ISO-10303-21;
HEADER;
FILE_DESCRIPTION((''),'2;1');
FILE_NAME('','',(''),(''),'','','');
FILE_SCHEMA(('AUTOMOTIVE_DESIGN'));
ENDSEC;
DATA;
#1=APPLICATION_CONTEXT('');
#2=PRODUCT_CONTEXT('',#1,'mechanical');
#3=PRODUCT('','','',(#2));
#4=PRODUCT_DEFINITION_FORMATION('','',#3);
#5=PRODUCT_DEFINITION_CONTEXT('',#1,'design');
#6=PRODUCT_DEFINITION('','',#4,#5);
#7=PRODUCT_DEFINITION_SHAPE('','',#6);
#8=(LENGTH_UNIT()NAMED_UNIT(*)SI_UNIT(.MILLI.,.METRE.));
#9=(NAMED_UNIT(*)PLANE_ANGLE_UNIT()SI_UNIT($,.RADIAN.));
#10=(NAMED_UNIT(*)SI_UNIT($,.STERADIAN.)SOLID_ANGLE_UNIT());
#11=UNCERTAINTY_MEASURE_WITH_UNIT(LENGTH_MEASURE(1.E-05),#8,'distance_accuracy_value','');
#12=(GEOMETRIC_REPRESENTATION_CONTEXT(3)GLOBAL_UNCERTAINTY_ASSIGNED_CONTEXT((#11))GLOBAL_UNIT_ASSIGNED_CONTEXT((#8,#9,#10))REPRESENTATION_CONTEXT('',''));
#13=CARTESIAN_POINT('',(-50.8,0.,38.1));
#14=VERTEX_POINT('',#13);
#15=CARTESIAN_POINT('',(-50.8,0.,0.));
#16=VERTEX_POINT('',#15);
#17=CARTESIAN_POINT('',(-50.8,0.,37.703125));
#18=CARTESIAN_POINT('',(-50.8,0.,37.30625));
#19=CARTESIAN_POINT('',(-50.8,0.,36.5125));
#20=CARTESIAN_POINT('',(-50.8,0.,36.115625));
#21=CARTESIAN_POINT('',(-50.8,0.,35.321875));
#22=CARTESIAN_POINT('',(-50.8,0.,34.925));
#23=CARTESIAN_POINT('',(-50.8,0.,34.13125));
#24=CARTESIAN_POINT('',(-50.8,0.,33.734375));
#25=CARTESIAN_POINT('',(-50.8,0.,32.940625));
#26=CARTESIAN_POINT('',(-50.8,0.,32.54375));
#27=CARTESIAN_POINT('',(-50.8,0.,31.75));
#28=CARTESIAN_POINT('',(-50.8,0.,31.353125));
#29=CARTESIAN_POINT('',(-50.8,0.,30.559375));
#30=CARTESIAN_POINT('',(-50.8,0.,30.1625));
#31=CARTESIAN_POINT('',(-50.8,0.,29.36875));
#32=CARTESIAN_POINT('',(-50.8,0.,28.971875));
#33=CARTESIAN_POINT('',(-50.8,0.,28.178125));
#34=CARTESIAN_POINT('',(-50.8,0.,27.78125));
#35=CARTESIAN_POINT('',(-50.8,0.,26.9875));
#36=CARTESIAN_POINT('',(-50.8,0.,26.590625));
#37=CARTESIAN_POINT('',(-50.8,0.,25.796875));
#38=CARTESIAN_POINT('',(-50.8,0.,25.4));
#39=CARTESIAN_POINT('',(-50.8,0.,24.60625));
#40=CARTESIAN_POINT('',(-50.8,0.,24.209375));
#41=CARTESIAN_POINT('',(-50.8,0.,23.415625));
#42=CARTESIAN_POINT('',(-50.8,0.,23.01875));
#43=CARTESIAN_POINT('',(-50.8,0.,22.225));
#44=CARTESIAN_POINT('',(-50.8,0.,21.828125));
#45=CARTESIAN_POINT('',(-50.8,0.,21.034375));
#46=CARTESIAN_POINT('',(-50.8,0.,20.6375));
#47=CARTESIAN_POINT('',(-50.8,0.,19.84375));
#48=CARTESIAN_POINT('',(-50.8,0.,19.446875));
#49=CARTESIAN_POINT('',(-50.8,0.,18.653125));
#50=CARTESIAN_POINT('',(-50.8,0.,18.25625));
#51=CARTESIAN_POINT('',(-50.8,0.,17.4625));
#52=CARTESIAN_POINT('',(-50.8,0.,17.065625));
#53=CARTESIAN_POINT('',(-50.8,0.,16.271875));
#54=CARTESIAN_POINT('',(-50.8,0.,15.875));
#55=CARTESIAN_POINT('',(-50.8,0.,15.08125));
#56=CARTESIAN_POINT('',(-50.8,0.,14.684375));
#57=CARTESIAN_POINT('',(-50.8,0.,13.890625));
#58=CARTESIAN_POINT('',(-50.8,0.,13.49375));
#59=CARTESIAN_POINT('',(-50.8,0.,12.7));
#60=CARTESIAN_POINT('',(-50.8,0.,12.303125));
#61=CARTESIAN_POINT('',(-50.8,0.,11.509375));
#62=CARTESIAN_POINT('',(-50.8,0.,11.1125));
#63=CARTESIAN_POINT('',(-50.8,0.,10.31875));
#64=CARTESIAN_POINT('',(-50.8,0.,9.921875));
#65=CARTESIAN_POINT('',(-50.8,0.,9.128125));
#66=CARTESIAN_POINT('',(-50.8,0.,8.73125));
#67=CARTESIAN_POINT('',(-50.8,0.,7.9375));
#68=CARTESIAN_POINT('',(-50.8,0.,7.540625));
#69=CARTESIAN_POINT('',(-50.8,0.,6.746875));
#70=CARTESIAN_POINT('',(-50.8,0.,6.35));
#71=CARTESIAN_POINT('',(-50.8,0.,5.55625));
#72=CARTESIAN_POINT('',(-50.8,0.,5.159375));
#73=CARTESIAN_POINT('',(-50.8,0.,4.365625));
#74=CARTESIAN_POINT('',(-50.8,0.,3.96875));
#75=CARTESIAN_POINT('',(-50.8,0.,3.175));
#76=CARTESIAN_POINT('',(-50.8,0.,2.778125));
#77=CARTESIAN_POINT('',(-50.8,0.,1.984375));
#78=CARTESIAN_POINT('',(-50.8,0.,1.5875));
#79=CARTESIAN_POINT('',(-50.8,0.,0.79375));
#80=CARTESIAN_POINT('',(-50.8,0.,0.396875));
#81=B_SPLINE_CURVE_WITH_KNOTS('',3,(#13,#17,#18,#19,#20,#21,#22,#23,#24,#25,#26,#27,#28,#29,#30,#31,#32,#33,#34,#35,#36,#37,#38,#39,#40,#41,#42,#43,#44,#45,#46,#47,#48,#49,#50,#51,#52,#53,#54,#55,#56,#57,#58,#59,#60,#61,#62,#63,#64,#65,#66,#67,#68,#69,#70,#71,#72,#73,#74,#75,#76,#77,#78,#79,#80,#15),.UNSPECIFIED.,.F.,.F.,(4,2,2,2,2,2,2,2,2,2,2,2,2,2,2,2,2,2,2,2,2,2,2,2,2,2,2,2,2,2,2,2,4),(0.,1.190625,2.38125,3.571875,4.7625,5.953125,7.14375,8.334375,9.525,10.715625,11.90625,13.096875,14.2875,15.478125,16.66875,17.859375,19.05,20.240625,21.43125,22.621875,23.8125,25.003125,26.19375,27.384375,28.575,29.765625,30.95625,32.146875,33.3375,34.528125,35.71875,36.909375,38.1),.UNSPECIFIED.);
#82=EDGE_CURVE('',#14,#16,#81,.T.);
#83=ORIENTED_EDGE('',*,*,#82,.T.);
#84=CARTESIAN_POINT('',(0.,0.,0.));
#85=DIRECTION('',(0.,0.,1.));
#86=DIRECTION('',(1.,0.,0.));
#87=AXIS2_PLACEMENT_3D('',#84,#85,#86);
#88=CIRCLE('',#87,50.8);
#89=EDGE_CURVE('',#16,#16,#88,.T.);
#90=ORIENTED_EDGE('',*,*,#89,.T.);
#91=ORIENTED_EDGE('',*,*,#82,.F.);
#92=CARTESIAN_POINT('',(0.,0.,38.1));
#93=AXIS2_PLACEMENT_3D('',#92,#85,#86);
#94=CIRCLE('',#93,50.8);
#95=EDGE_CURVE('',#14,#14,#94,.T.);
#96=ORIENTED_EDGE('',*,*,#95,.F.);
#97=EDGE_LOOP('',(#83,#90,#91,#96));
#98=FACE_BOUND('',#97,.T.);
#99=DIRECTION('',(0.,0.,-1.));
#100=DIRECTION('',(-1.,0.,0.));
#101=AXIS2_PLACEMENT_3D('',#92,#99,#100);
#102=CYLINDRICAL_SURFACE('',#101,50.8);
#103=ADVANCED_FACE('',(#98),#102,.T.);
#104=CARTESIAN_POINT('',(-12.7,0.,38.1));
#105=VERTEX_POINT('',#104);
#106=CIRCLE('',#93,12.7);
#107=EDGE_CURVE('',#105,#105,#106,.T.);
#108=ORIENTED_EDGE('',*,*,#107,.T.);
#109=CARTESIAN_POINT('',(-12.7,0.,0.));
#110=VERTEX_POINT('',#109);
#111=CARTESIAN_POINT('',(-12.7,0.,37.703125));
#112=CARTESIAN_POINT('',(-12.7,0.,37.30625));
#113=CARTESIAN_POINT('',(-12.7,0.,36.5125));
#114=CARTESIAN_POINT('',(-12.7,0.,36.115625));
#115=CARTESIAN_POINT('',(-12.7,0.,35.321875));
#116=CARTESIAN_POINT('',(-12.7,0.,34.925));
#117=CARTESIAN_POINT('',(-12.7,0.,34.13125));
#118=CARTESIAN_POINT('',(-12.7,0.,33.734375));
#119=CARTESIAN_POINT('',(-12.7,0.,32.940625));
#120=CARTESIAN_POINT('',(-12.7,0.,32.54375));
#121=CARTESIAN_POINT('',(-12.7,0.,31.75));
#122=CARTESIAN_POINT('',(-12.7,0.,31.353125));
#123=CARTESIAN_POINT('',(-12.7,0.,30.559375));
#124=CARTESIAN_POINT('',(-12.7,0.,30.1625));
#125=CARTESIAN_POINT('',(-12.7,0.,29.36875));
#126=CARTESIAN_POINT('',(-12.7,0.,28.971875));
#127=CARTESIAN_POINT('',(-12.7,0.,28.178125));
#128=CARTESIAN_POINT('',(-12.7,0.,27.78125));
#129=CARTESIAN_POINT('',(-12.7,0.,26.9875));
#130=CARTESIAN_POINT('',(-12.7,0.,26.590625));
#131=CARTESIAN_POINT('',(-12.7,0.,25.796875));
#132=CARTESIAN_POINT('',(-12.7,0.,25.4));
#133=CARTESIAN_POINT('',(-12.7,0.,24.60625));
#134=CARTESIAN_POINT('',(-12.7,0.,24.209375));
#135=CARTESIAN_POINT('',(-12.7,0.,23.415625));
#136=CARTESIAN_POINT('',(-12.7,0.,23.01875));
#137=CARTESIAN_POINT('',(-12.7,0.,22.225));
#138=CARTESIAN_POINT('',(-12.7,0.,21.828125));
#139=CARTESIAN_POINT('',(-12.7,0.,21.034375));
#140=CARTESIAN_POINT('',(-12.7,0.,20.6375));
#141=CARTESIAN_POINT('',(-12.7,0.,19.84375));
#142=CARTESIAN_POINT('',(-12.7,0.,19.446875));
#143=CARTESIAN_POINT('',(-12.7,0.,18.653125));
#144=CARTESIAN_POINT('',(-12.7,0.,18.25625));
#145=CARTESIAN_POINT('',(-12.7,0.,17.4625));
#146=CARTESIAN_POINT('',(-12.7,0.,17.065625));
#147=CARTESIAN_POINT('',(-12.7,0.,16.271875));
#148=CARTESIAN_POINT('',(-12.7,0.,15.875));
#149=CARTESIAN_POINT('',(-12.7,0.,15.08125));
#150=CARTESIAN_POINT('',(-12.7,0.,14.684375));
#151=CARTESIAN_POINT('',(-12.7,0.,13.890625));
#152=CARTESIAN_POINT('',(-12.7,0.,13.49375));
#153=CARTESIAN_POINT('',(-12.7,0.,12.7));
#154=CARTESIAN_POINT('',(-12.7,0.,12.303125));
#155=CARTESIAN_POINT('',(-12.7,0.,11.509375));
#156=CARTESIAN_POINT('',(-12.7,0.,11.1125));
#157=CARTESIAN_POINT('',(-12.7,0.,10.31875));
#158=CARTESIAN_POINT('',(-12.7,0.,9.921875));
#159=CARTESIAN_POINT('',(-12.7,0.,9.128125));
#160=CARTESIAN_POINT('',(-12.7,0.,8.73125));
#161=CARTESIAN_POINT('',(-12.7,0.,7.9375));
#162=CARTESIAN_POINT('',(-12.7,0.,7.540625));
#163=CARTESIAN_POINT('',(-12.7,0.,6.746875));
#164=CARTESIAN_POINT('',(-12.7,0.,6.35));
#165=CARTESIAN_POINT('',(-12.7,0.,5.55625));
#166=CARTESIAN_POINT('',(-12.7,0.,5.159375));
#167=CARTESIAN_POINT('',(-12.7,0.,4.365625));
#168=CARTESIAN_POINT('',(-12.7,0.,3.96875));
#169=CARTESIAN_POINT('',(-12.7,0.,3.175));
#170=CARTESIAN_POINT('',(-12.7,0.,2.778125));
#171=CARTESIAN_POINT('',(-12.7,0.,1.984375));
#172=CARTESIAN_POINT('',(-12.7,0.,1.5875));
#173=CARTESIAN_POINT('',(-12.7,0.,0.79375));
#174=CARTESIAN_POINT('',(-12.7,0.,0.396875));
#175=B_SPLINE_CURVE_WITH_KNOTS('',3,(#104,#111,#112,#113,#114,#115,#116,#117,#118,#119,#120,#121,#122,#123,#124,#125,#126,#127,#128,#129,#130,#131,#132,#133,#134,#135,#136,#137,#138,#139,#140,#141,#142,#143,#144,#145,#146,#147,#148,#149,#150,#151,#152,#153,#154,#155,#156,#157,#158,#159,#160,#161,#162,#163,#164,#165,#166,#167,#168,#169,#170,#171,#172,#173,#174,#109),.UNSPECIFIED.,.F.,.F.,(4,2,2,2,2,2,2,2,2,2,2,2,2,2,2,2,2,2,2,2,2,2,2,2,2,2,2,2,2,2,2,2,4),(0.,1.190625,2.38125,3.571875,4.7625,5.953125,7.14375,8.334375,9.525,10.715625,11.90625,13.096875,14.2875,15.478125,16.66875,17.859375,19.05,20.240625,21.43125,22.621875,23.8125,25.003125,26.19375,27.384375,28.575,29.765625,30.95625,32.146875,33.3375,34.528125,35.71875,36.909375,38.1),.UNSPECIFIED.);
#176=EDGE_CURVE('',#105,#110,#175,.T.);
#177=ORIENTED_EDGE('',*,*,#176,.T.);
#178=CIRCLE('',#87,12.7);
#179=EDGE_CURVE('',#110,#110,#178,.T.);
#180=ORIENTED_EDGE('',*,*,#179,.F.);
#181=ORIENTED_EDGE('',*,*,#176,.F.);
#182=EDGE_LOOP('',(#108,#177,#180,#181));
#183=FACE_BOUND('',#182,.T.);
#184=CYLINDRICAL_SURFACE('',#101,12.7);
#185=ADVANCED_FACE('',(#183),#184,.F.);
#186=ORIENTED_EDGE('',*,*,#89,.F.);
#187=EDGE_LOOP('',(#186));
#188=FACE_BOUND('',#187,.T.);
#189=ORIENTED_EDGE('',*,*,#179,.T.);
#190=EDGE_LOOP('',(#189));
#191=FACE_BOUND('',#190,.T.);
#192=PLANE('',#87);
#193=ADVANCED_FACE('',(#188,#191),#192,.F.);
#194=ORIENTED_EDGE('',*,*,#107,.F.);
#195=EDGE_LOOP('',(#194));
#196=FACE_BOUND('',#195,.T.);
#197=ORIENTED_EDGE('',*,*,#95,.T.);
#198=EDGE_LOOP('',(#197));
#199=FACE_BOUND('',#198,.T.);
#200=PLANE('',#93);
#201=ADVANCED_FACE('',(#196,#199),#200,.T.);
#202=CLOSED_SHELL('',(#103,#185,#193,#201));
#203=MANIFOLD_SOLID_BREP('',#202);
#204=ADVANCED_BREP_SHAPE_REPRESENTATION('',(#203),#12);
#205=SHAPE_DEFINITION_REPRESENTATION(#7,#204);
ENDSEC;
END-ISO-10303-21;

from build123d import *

# Parameters (mm, degrees)
SKETCH1_R           = 50.8
SKETCH1_R_2         = 12.7
BOSS_EXTRUDE1_DEPTH = 38.1


with BuildPart() as part:
    # Sketch1 → Boss-Extrude1 (new body)
    with BuildSketch(Plane.XY):
        with Locations(Location((0, 0, 0), (0, 0, 180))):
            Circle(SKETCH1_R)
        with Locations(Location((0, 0, 0), (0, 0, 180))):
            Circle(SKETCH1_R_2, mode=Mode.SUBTRACT)
    extrude(amount=BOSS_EXTRUDE1_DEPTH)


solid = part.part
